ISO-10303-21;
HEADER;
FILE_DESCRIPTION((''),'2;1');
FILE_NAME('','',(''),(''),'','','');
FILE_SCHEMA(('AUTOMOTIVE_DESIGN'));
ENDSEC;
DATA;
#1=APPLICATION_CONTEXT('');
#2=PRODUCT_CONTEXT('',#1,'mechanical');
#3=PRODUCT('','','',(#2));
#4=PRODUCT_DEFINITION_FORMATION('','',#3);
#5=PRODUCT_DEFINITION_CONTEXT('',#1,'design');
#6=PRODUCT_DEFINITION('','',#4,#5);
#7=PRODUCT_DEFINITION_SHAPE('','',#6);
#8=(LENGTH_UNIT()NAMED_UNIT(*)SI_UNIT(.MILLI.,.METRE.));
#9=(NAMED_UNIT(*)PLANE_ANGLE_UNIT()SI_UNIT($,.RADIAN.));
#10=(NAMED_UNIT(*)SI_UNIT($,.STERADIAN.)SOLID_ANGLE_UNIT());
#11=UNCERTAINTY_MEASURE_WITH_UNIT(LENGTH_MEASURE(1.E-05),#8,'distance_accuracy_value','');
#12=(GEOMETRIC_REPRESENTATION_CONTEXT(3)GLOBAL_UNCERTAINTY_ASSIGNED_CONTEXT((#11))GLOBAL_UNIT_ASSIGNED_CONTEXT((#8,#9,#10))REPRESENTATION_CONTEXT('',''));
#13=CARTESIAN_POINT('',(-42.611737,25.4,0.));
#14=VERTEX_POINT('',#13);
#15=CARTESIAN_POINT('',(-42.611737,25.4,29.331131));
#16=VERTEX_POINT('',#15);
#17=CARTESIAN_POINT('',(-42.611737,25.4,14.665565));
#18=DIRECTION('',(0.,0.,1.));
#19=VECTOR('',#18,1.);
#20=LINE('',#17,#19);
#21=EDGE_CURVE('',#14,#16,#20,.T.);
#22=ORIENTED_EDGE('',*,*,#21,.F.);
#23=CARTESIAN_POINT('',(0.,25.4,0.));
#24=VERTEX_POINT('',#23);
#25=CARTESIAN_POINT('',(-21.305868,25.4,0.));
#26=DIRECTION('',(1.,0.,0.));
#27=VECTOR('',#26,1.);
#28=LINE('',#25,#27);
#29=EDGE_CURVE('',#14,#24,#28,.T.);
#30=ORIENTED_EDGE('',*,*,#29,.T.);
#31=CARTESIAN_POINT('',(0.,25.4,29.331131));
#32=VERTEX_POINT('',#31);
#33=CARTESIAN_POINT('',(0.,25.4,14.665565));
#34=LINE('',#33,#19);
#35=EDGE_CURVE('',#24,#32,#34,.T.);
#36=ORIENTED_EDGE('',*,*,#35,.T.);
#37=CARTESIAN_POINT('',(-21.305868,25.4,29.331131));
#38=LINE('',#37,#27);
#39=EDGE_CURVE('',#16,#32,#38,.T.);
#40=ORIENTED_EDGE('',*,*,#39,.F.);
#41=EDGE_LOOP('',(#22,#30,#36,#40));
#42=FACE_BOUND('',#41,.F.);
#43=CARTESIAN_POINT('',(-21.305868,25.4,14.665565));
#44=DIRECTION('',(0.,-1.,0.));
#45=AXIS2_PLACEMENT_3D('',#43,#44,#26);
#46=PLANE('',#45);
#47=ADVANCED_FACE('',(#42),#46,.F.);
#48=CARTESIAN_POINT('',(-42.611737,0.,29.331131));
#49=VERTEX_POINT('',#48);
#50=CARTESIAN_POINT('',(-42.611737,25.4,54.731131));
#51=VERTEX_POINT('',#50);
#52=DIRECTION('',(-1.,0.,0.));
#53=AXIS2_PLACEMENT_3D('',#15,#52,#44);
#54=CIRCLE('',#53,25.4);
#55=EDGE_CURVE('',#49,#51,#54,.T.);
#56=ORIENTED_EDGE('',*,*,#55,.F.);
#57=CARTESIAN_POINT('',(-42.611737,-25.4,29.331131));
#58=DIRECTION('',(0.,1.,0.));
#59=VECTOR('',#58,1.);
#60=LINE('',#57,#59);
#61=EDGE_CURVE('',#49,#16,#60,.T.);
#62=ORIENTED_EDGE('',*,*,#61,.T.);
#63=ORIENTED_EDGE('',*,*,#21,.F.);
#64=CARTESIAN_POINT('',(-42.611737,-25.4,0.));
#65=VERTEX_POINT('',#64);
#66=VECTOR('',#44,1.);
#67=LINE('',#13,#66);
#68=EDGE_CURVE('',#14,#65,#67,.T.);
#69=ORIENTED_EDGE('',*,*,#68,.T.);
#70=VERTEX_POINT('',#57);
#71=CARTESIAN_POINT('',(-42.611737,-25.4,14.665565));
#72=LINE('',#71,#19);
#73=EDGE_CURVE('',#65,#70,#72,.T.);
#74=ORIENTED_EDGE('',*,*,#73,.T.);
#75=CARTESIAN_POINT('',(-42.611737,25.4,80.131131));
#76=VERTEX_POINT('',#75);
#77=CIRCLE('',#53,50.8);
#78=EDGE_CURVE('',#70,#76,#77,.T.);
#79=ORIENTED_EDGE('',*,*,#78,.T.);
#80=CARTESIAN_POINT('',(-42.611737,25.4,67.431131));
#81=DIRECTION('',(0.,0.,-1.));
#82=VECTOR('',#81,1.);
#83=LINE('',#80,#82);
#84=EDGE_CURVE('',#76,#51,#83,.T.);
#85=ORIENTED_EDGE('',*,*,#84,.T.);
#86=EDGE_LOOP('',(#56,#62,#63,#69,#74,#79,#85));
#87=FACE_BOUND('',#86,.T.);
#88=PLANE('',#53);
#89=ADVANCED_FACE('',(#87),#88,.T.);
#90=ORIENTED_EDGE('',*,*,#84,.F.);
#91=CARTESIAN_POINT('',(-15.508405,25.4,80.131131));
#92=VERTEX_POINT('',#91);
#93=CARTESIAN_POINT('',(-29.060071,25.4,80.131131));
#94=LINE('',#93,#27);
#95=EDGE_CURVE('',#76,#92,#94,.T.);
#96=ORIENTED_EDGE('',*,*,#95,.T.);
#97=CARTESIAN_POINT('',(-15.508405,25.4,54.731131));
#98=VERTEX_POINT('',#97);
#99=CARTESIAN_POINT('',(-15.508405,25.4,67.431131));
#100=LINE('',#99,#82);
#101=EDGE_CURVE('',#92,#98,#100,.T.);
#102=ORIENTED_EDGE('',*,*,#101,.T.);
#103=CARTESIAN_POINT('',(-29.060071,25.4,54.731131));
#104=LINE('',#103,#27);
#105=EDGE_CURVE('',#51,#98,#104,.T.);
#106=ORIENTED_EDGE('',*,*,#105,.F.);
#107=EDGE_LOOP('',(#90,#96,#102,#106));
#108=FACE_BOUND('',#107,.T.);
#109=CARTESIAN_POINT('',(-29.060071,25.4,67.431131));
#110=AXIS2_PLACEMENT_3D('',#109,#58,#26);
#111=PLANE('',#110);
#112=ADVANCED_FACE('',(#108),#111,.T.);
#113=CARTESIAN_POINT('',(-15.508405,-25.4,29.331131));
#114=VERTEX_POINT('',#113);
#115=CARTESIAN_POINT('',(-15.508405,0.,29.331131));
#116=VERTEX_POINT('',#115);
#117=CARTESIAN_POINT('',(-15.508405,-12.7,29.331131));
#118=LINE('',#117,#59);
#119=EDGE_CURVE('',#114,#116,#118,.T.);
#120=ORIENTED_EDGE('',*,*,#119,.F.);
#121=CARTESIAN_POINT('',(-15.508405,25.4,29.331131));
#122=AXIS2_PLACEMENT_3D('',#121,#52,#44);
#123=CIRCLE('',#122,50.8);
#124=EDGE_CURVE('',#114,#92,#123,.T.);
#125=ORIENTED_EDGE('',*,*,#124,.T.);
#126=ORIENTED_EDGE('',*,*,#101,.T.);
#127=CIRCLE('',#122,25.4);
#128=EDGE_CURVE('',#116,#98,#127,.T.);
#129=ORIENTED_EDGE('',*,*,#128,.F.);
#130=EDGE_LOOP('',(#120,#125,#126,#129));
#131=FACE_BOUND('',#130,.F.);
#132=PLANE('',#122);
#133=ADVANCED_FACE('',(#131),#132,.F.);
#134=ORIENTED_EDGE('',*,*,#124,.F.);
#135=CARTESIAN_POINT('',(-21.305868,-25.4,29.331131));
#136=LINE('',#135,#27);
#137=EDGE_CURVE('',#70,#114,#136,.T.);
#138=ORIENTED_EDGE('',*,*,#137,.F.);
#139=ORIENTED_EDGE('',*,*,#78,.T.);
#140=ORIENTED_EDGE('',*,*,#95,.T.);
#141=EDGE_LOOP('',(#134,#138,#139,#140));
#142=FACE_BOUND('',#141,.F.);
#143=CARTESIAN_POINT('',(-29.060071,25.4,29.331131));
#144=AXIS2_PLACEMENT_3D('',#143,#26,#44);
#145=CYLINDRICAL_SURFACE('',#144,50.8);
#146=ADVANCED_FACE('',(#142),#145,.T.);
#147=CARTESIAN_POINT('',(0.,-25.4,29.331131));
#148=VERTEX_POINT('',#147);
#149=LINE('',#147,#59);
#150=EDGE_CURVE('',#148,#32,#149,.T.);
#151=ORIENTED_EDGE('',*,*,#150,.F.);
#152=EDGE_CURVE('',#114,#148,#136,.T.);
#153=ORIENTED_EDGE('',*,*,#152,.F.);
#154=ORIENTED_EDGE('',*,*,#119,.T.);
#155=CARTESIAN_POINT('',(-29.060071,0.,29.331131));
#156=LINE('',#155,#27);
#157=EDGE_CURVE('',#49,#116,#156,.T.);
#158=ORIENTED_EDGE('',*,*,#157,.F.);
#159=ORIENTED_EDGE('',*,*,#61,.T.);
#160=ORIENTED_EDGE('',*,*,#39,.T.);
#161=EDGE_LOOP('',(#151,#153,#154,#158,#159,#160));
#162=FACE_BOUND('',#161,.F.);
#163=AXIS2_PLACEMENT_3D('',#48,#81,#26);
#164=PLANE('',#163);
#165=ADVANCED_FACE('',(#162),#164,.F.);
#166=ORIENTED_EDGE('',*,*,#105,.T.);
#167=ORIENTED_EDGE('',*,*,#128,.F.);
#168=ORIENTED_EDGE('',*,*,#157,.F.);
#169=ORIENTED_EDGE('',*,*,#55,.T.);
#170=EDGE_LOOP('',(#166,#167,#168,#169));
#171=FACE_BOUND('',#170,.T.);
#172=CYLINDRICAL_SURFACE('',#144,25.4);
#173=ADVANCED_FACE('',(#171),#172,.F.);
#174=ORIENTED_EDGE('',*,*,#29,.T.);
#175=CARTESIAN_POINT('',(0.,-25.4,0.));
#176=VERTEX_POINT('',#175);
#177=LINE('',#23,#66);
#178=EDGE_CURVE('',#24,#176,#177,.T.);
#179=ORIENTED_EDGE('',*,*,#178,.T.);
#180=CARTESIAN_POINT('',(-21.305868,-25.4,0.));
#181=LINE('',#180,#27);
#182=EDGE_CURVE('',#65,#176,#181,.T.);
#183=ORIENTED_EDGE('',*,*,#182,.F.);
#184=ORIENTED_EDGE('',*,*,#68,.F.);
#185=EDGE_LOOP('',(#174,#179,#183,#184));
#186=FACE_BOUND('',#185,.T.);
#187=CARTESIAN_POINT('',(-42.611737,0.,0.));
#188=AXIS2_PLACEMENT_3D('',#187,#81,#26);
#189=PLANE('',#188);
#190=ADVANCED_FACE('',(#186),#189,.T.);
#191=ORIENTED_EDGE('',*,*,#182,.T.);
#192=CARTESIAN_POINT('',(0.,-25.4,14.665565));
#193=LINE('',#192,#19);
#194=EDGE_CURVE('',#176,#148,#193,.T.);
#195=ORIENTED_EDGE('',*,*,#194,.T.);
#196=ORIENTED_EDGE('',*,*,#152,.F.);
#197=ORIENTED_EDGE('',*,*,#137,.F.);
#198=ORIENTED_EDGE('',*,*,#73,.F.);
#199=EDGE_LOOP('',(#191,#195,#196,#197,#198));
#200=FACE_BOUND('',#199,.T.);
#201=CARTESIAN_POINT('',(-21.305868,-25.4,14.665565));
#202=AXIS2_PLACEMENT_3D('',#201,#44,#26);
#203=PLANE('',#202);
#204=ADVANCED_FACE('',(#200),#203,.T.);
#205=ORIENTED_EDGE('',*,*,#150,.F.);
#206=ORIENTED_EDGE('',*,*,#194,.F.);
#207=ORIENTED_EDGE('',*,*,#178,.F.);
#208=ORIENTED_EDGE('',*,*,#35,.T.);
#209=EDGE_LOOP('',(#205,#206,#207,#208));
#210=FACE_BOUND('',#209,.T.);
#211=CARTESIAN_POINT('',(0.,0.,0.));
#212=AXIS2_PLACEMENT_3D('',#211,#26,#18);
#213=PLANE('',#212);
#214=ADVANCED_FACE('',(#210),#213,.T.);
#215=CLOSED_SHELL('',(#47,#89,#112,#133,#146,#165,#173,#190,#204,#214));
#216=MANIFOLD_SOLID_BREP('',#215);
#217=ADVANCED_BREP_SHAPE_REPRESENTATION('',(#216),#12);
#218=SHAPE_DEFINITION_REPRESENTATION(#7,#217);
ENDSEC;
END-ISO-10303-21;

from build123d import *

# Parameters (mm, degrees)
F0_W     = 42.6117368042
F0_H     = 29.3311309069
F1_DEPTH = 25.4
F2_W     = 27.1033318713
F2_H     = 25.4
F3_ANGLE = 90


with BuildPart() as f1:
    # F0 (on Front) → F1 (new body, symmetric)
    with BuildSketch(Plane.XZ):
        with Locations((-21.3058684021, 14.6655654535)):
            Rectangle(F0_W, F0_H)
    extrude(amount=F1_DEPTH, both=True)

    # F2 (on face) → F3 (revolve)
    with BuildSketch(Plane.XY.offset(29.3311309069)):
        with Locations((-29.0600708686, -12.7)):
            Rectangle(F2_W, F2_H)
    revolve(axis=Axis((-21.3058684021, 25.4, 29.3311309069), (-1, 0, 0)), revolution_arc=F3_ANGLE)


solid = f1.part
